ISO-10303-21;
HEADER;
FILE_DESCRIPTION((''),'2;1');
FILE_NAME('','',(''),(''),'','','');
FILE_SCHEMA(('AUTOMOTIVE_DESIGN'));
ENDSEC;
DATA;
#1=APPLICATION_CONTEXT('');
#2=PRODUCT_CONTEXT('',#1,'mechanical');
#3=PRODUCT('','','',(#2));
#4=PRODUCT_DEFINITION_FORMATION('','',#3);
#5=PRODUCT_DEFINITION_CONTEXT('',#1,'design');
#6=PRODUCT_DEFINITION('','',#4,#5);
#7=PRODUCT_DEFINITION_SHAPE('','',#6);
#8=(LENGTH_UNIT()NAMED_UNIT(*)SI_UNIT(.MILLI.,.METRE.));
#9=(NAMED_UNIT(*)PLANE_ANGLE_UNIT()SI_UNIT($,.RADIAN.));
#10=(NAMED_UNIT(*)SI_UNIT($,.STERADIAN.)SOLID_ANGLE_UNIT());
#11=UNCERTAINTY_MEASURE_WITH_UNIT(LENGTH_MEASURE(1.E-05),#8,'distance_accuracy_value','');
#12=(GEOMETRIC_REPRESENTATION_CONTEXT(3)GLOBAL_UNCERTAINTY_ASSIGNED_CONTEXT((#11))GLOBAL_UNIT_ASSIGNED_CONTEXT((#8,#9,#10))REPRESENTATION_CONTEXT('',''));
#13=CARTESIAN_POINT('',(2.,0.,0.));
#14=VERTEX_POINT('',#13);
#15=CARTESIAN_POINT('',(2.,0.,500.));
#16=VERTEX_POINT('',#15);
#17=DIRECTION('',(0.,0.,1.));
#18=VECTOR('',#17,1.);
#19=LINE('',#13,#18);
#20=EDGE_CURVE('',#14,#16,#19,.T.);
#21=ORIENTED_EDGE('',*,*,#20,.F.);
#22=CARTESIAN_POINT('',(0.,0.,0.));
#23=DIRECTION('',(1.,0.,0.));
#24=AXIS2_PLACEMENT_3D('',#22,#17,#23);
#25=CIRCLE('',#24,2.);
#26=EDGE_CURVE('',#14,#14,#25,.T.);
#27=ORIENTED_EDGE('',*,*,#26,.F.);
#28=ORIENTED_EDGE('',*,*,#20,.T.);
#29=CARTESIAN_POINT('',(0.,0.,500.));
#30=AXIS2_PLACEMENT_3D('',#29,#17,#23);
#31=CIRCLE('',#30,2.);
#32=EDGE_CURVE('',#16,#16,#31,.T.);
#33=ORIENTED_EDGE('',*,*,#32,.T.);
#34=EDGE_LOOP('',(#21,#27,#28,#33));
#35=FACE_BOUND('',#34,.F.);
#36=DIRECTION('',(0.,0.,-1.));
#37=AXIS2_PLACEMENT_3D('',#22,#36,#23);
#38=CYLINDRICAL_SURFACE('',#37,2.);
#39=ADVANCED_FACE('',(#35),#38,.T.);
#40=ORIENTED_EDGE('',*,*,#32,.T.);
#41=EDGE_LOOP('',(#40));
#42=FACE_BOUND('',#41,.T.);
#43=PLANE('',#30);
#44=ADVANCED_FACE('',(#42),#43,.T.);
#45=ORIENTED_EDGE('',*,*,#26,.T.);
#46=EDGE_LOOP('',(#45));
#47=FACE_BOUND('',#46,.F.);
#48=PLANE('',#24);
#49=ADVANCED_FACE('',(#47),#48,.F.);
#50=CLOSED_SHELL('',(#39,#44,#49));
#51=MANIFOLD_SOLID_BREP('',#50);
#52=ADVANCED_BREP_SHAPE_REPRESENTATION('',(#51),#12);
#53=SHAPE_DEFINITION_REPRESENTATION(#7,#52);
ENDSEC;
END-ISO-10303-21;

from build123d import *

# Parameters (mm, degrees)
SKETCH_R  = 2
PAD_DEPTH = 500


with BuildPart() as part:
    # Sketch → Pad (new body)
    with BuildSketch(Plane.XY):
        Circle(SKETCH_R)
    extrude(amount=PAD_DEPTH)


solid = part.part
